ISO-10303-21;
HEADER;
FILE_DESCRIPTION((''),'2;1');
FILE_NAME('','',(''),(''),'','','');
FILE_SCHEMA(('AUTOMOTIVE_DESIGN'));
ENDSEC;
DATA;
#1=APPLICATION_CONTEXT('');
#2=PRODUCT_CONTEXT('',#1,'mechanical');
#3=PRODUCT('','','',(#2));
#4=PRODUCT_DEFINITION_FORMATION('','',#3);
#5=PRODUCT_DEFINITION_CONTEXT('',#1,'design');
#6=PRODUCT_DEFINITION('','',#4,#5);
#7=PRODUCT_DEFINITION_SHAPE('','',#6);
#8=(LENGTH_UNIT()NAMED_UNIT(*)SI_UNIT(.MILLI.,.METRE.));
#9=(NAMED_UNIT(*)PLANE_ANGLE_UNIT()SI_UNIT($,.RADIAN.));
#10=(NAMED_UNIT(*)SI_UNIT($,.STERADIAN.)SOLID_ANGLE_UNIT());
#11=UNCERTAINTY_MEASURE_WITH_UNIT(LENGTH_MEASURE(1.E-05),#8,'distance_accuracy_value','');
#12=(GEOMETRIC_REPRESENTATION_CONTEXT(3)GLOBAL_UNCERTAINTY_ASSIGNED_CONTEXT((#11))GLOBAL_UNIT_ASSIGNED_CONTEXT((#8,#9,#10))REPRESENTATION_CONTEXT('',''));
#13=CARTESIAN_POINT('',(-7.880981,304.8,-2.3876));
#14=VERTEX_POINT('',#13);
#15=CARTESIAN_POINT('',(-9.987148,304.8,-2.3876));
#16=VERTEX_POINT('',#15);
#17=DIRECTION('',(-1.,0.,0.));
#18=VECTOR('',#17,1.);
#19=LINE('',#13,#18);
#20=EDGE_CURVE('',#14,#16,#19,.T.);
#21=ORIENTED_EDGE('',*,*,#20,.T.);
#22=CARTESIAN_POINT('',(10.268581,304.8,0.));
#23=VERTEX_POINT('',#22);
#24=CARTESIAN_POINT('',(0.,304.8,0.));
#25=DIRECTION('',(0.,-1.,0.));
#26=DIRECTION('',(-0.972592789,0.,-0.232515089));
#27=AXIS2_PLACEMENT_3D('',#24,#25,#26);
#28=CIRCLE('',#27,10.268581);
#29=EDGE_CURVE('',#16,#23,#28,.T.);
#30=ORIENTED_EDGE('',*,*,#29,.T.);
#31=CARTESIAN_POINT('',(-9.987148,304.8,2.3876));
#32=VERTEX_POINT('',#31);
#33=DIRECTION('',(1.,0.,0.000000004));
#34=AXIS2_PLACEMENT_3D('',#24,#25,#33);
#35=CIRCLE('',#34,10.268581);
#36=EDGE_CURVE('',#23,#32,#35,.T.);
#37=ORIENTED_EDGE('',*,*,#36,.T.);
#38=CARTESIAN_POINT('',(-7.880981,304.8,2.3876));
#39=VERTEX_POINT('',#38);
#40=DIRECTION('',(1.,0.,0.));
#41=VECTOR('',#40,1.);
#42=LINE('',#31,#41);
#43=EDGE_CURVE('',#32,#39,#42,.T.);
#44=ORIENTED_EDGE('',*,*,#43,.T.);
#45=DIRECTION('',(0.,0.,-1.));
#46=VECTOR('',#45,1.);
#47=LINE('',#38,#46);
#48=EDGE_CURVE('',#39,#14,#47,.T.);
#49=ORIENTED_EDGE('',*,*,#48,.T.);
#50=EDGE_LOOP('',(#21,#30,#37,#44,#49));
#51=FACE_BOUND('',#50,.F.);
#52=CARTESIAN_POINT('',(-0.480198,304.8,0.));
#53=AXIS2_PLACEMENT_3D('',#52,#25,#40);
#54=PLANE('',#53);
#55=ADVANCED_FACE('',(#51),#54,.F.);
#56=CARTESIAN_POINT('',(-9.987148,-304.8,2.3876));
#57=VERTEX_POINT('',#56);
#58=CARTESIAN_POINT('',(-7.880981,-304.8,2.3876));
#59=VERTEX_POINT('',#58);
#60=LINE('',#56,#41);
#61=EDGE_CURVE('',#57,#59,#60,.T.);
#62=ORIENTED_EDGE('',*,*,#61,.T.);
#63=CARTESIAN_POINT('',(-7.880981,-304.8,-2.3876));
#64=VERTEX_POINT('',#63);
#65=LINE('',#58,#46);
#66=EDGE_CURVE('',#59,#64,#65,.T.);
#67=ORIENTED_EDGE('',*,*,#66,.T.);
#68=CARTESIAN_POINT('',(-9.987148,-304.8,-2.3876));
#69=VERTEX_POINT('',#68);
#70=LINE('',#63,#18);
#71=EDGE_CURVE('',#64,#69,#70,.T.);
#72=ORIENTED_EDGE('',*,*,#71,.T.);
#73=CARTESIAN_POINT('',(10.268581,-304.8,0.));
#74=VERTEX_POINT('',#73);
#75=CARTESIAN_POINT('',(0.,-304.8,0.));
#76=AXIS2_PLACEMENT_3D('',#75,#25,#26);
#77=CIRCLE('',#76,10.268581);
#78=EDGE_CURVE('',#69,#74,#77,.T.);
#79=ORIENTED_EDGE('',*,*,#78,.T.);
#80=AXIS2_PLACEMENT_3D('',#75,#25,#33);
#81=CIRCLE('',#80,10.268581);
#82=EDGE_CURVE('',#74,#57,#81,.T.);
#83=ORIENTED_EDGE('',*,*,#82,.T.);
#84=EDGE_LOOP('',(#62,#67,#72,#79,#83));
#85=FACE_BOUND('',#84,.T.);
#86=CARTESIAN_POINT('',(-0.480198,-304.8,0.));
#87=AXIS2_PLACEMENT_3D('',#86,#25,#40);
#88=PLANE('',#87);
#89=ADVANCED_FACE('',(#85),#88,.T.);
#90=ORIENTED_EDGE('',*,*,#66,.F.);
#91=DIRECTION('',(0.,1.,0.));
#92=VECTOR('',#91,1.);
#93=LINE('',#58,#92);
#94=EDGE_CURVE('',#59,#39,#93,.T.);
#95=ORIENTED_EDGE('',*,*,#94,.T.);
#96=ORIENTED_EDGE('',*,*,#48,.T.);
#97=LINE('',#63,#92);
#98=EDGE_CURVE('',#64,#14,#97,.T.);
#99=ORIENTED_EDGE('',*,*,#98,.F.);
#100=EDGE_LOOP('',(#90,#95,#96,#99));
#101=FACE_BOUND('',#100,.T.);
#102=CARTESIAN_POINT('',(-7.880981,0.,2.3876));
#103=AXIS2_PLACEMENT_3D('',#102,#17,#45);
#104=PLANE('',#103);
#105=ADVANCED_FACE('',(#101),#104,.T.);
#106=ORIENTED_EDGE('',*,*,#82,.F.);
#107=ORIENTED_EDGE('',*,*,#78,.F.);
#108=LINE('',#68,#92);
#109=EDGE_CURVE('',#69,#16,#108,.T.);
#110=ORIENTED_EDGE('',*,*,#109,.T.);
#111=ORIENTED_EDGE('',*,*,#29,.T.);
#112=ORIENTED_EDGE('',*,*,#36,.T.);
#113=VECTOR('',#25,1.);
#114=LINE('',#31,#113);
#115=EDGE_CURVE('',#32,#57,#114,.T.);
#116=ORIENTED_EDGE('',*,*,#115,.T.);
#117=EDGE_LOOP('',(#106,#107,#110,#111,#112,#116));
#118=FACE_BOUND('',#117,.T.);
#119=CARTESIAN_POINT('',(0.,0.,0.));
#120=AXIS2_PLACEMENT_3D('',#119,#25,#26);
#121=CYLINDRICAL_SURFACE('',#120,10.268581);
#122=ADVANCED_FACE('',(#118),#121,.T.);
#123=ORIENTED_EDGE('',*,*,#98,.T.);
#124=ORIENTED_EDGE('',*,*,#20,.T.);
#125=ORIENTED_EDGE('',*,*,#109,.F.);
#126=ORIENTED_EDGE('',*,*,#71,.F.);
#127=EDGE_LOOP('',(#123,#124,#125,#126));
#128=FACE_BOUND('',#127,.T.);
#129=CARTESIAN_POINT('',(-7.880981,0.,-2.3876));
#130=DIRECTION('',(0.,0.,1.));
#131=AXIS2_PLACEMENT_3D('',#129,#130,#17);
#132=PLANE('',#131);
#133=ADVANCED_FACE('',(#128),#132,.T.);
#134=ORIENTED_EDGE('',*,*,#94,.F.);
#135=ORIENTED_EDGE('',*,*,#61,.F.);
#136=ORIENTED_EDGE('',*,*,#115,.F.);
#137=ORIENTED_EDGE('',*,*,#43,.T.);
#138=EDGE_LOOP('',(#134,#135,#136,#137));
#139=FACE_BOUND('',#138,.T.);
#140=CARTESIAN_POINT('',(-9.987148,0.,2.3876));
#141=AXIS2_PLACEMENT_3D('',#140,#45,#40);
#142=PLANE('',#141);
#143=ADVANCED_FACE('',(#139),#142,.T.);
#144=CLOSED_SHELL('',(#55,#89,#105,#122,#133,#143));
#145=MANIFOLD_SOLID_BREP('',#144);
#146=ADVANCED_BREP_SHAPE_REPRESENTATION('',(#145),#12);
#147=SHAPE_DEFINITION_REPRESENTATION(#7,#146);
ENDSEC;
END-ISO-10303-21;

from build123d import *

# Parameters (mm, degrees)
F1_DEPTH = 304.8


with BuildPart() as f1:
    # F0 (on Front) → F1 (new body, symmetric)
    with BuildSketch(Plane.XZ):
        with BuildLine():
            ThreePointArc((-9.987148, -2.3876), (1.202065, -10.19798), (10.268581, 0))
            ThreePointArc((10.268581, 0), (1.202065, 10.19798), (-9.987148, 2.3876))
            Line((-9.987148, 2.3876), (-7.880981, 2.3876))
            Line((-7.880981, 2.3876), (-7.880981, -2.3876))
            Line((-7.880981, -2.3876), (-9.987148, -2.3876))
        make_face()
    extrude(amount=F1_DEPTH, both=True)


solid = f1.part
